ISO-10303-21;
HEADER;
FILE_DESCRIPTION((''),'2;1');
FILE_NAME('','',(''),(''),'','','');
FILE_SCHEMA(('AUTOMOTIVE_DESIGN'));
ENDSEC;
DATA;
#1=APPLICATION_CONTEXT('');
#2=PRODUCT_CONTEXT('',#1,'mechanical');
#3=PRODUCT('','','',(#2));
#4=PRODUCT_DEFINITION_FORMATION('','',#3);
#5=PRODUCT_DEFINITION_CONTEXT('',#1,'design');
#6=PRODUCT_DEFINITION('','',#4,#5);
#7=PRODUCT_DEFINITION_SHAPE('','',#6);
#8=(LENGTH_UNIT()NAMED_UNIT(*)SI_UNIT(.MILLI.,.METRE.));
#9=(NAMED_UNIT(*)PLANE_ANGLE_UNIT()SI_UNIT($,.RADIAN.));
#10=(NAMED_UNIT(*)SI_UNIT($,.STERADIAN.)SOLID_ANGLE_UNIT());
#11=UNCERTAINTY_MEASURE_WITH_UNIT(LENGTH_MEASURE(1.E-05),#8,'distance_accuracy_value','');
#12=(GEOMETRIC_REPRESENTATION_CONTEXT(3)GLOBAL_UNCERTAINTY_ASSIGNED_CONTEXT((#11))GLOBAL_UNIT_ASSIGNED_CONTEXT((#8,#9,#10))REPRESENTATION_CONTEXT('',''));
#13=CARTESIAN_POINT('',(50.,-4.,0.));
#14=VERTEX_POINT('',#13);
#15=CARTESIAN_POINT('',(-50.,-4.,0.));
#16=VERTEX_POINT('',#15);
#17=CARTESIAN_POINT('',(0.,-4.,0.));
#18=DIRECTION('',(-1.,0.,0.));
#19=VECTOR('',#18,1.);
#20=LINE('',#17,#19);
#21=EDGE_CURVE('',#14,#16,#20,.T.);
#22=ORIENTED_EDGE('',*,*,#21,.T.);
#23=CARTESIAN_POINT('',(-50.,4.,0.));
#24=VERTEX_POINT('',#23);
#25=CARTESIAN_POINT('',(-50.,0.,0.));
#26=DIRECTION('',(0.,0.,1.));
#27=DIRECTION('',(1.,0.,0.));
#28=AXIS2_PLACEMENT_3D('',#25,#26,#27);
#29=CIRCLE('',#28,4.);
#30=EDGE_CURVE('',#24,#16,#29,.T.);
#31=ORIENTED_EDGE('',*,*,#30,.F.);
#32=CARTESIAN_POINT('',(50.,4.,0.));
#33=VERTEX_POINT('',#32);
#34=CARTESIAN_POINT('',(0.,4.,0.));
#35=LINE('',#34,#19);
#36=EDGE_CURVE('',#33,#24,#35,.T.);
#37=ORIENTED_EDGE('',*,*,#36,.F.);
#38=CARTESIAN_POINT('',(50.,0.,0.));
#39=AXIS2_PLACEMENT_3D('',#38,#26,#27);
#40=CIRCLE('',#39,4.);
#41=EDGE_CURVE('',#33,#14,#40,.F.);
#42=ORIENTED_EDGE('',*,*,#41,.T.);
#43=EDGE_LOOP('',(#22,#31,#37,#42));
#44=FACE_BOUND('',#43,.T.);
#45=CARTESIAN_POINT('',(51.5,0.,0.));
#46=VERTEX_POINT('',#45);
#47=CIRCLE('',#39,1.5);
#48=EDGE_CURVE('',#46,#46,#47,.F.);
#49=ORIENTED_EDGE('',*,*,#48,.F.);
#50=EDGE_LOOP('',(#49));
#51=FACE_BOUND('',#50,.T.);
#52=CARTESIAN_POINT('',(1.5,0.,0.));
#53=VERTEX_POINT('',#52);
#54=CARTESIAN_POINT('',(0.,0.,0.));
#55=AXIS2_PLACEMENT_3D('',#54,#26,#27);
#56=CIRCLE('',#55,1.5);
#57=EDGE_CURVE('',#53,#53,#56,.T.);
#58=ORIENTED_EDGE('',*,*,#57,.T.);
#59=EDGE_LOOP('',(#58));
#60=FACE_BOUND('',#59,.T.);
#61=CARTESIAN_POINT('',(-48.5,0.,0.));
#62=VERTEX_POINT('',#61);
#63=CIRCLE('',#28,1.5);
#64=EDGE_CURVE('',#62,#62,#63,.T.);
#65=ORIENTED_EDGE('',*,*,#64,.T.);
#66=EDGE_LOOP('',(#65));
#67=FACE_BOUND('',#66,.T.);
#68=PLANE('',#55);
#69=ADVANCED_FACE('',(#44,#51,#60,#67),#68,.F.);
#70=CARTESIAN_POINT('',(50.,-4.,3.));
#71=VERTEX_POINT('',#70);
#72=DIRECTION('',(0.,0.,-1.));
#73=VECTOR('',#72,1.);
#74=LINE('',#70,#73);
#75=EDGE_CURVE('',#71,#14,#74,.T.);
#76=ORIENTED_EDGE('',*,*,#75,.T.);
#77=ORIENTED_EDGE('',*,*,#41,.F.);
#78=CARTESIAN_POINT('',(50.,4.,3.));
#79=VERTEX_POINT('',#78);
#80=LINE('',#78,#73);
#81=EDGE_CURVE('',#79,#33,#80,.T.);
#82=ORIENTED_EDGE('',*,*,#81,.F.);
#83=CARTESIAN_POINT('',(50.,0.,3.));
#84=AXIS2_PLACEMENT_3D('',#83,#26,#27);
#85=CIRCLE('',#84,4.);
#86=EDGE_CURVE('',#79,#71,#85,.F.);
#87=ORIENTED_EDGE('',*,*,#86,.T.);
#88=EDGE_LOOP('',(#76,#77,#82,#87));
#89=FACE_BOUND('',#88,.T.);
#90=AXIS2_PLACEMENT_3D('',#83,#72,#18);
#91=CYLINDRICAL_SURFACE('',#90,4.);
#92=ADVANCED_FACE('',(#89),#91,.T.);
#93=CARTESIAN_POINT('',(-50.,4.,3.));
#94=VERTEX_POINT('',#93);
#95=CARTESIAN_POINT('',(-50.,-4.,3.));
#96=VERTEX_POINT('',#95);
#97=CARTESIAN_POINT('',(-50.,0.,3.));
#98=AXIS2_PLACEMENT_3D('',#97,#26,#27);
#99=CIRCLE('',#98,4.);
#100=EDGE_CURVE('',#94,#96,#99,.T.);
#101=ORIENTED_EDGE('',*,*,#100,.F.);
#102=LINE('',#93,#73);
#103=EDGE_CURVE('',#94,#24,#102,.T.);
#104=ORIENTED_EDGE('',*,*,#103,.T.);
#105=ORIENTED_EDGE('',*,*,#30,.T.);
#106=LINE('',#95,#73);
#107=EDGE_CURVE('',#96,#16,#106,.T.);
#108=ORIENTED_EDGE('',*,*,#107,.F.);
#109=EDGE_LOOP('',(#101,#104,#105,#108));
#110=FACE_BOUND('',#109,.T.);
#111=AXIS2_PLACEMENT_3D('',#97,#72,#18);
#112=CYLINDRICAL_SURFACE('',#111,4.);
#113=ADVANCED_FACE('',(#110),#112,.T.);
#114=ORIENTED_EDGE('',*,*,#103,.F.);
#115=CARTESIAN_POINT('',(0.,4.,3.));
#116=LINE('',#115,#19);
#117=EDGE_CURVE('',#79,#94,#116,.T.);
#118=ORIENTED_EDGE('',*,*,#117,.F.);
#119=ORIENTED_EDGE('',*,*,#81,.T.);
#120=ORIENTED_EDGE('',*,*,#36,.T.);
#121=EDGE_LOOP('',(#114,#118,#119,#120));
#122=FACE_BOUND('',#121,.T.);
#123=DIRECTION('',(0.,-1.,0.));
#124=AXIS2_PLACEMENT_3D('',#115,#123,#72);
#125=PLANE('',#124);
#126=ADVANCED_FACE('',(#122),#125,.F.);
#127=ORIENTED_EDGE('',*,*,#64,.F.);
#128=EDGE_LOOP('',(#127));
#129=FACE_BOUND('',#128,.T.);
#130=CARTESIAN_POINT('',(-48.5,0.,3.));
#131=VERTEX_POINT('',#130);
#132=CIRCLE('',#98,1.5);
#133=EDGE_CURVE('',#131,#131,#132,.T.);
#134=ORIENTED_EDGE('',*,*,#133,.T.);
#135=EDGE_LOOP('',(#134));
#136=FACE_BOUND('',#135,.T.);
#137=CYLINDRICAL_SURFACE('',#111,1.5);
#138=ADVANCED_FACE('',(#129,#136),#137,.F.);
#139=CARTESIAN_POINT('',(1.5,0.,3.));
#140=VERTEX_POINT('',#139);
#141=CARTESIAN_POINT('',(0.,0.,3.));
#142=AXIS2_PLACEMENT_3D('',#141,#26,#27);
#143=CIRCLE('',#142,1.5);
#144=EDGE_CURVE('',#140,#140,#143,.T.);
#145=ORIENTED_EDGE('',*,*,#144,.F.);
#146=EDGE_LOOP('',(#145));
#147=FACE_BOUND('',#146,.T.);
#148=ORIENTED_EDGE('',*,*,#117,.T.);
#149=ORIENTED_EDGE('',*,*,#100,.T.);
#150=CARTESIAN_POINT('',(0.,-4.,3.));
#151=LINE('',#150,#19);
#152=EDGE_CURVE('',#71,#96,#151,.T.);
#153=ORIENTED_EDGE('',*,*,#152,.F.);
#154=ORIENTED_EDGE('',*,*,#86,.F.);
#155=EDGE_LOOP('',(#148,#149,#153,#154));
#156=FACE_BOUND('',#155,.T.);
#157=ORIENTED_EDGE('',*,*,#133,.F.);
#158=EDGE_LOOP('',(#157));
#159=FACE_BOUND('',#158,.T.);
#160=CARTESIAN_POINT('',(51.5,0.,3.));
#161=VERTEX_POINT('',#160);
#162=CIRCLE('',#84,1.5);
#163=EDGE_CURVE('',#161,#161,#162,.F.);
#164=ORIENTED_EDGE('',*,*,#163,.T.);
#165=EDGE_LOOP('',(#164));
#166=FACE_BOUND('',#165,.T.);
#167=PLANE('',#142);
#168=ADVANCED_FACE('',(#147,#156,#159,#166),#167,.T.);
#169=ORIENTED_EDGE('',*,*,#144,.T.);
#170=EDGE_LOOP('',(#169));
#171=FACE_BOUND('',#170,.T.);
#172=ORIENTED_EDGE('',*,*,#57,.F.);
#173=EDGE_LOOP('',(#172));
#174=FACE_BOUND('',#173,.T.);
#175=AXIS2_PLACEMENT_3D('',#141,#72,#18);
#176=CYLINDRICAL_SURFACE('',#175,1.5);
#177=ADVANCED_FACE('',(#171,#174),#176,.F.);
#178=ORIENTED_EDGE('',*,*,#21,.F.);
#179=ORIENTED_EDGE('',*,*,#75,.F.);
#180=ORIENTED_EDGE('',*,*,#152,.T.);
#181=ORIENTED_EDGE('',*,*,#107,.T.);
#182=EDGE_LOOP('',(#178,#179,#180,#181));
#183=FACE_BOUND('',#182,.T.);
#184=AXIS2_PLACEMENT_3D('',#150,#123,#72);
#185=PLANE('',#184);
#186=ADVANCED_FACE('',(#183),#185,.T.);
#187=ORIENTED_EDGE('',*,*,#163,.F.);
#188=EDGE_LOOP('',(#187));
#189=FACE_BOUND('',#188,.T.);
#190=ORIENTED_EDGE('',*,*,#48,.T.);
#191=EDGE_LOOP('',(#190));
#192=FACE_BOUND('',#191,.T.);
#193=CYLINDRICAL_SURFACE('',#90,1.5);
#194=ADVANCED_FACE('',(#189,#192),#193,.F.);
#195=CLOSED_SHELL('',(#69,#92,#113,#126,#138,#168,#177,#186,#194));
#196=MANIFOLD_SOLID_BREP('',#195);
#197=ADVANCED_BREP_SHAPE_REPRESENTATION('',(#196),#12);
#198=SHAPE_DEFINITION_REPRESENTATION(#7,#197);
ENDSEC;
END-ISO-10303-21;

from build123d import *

# Parameters (mm, degrees)
SKETCH1_R           = 1.5
BOSS_EXTRUDE1_DEPTH = 3


with BuildPart() as part:
    # Sketch1 → Boss-Extrude1 (new body)
    with BuildSketch(Plane.XY):
        with BuildLine():
            Line((-50, -4), (50, -4))
            ThreePointArc((50, -4), (54, 0), (50, 4))
            Line((50, 4), (-50, 4))
            ThreePointArc((-50, 4), (-54, 0), (-50, -4))
        make_face()
        with Locations((-50, 0)):
            Circle(SKETCH1_R, mode=Mode.SUBTRACT)
        Circle(SKETCH1_R, mode=Mode.SUBTRACT)
        with Locations((50, 0)):
            Circle(SKETCH1_R, mode=Mode.SUBTRACT)
    extrude(amount=BOSS_EXTRUDE1_DEPTH)


solid = part.part
